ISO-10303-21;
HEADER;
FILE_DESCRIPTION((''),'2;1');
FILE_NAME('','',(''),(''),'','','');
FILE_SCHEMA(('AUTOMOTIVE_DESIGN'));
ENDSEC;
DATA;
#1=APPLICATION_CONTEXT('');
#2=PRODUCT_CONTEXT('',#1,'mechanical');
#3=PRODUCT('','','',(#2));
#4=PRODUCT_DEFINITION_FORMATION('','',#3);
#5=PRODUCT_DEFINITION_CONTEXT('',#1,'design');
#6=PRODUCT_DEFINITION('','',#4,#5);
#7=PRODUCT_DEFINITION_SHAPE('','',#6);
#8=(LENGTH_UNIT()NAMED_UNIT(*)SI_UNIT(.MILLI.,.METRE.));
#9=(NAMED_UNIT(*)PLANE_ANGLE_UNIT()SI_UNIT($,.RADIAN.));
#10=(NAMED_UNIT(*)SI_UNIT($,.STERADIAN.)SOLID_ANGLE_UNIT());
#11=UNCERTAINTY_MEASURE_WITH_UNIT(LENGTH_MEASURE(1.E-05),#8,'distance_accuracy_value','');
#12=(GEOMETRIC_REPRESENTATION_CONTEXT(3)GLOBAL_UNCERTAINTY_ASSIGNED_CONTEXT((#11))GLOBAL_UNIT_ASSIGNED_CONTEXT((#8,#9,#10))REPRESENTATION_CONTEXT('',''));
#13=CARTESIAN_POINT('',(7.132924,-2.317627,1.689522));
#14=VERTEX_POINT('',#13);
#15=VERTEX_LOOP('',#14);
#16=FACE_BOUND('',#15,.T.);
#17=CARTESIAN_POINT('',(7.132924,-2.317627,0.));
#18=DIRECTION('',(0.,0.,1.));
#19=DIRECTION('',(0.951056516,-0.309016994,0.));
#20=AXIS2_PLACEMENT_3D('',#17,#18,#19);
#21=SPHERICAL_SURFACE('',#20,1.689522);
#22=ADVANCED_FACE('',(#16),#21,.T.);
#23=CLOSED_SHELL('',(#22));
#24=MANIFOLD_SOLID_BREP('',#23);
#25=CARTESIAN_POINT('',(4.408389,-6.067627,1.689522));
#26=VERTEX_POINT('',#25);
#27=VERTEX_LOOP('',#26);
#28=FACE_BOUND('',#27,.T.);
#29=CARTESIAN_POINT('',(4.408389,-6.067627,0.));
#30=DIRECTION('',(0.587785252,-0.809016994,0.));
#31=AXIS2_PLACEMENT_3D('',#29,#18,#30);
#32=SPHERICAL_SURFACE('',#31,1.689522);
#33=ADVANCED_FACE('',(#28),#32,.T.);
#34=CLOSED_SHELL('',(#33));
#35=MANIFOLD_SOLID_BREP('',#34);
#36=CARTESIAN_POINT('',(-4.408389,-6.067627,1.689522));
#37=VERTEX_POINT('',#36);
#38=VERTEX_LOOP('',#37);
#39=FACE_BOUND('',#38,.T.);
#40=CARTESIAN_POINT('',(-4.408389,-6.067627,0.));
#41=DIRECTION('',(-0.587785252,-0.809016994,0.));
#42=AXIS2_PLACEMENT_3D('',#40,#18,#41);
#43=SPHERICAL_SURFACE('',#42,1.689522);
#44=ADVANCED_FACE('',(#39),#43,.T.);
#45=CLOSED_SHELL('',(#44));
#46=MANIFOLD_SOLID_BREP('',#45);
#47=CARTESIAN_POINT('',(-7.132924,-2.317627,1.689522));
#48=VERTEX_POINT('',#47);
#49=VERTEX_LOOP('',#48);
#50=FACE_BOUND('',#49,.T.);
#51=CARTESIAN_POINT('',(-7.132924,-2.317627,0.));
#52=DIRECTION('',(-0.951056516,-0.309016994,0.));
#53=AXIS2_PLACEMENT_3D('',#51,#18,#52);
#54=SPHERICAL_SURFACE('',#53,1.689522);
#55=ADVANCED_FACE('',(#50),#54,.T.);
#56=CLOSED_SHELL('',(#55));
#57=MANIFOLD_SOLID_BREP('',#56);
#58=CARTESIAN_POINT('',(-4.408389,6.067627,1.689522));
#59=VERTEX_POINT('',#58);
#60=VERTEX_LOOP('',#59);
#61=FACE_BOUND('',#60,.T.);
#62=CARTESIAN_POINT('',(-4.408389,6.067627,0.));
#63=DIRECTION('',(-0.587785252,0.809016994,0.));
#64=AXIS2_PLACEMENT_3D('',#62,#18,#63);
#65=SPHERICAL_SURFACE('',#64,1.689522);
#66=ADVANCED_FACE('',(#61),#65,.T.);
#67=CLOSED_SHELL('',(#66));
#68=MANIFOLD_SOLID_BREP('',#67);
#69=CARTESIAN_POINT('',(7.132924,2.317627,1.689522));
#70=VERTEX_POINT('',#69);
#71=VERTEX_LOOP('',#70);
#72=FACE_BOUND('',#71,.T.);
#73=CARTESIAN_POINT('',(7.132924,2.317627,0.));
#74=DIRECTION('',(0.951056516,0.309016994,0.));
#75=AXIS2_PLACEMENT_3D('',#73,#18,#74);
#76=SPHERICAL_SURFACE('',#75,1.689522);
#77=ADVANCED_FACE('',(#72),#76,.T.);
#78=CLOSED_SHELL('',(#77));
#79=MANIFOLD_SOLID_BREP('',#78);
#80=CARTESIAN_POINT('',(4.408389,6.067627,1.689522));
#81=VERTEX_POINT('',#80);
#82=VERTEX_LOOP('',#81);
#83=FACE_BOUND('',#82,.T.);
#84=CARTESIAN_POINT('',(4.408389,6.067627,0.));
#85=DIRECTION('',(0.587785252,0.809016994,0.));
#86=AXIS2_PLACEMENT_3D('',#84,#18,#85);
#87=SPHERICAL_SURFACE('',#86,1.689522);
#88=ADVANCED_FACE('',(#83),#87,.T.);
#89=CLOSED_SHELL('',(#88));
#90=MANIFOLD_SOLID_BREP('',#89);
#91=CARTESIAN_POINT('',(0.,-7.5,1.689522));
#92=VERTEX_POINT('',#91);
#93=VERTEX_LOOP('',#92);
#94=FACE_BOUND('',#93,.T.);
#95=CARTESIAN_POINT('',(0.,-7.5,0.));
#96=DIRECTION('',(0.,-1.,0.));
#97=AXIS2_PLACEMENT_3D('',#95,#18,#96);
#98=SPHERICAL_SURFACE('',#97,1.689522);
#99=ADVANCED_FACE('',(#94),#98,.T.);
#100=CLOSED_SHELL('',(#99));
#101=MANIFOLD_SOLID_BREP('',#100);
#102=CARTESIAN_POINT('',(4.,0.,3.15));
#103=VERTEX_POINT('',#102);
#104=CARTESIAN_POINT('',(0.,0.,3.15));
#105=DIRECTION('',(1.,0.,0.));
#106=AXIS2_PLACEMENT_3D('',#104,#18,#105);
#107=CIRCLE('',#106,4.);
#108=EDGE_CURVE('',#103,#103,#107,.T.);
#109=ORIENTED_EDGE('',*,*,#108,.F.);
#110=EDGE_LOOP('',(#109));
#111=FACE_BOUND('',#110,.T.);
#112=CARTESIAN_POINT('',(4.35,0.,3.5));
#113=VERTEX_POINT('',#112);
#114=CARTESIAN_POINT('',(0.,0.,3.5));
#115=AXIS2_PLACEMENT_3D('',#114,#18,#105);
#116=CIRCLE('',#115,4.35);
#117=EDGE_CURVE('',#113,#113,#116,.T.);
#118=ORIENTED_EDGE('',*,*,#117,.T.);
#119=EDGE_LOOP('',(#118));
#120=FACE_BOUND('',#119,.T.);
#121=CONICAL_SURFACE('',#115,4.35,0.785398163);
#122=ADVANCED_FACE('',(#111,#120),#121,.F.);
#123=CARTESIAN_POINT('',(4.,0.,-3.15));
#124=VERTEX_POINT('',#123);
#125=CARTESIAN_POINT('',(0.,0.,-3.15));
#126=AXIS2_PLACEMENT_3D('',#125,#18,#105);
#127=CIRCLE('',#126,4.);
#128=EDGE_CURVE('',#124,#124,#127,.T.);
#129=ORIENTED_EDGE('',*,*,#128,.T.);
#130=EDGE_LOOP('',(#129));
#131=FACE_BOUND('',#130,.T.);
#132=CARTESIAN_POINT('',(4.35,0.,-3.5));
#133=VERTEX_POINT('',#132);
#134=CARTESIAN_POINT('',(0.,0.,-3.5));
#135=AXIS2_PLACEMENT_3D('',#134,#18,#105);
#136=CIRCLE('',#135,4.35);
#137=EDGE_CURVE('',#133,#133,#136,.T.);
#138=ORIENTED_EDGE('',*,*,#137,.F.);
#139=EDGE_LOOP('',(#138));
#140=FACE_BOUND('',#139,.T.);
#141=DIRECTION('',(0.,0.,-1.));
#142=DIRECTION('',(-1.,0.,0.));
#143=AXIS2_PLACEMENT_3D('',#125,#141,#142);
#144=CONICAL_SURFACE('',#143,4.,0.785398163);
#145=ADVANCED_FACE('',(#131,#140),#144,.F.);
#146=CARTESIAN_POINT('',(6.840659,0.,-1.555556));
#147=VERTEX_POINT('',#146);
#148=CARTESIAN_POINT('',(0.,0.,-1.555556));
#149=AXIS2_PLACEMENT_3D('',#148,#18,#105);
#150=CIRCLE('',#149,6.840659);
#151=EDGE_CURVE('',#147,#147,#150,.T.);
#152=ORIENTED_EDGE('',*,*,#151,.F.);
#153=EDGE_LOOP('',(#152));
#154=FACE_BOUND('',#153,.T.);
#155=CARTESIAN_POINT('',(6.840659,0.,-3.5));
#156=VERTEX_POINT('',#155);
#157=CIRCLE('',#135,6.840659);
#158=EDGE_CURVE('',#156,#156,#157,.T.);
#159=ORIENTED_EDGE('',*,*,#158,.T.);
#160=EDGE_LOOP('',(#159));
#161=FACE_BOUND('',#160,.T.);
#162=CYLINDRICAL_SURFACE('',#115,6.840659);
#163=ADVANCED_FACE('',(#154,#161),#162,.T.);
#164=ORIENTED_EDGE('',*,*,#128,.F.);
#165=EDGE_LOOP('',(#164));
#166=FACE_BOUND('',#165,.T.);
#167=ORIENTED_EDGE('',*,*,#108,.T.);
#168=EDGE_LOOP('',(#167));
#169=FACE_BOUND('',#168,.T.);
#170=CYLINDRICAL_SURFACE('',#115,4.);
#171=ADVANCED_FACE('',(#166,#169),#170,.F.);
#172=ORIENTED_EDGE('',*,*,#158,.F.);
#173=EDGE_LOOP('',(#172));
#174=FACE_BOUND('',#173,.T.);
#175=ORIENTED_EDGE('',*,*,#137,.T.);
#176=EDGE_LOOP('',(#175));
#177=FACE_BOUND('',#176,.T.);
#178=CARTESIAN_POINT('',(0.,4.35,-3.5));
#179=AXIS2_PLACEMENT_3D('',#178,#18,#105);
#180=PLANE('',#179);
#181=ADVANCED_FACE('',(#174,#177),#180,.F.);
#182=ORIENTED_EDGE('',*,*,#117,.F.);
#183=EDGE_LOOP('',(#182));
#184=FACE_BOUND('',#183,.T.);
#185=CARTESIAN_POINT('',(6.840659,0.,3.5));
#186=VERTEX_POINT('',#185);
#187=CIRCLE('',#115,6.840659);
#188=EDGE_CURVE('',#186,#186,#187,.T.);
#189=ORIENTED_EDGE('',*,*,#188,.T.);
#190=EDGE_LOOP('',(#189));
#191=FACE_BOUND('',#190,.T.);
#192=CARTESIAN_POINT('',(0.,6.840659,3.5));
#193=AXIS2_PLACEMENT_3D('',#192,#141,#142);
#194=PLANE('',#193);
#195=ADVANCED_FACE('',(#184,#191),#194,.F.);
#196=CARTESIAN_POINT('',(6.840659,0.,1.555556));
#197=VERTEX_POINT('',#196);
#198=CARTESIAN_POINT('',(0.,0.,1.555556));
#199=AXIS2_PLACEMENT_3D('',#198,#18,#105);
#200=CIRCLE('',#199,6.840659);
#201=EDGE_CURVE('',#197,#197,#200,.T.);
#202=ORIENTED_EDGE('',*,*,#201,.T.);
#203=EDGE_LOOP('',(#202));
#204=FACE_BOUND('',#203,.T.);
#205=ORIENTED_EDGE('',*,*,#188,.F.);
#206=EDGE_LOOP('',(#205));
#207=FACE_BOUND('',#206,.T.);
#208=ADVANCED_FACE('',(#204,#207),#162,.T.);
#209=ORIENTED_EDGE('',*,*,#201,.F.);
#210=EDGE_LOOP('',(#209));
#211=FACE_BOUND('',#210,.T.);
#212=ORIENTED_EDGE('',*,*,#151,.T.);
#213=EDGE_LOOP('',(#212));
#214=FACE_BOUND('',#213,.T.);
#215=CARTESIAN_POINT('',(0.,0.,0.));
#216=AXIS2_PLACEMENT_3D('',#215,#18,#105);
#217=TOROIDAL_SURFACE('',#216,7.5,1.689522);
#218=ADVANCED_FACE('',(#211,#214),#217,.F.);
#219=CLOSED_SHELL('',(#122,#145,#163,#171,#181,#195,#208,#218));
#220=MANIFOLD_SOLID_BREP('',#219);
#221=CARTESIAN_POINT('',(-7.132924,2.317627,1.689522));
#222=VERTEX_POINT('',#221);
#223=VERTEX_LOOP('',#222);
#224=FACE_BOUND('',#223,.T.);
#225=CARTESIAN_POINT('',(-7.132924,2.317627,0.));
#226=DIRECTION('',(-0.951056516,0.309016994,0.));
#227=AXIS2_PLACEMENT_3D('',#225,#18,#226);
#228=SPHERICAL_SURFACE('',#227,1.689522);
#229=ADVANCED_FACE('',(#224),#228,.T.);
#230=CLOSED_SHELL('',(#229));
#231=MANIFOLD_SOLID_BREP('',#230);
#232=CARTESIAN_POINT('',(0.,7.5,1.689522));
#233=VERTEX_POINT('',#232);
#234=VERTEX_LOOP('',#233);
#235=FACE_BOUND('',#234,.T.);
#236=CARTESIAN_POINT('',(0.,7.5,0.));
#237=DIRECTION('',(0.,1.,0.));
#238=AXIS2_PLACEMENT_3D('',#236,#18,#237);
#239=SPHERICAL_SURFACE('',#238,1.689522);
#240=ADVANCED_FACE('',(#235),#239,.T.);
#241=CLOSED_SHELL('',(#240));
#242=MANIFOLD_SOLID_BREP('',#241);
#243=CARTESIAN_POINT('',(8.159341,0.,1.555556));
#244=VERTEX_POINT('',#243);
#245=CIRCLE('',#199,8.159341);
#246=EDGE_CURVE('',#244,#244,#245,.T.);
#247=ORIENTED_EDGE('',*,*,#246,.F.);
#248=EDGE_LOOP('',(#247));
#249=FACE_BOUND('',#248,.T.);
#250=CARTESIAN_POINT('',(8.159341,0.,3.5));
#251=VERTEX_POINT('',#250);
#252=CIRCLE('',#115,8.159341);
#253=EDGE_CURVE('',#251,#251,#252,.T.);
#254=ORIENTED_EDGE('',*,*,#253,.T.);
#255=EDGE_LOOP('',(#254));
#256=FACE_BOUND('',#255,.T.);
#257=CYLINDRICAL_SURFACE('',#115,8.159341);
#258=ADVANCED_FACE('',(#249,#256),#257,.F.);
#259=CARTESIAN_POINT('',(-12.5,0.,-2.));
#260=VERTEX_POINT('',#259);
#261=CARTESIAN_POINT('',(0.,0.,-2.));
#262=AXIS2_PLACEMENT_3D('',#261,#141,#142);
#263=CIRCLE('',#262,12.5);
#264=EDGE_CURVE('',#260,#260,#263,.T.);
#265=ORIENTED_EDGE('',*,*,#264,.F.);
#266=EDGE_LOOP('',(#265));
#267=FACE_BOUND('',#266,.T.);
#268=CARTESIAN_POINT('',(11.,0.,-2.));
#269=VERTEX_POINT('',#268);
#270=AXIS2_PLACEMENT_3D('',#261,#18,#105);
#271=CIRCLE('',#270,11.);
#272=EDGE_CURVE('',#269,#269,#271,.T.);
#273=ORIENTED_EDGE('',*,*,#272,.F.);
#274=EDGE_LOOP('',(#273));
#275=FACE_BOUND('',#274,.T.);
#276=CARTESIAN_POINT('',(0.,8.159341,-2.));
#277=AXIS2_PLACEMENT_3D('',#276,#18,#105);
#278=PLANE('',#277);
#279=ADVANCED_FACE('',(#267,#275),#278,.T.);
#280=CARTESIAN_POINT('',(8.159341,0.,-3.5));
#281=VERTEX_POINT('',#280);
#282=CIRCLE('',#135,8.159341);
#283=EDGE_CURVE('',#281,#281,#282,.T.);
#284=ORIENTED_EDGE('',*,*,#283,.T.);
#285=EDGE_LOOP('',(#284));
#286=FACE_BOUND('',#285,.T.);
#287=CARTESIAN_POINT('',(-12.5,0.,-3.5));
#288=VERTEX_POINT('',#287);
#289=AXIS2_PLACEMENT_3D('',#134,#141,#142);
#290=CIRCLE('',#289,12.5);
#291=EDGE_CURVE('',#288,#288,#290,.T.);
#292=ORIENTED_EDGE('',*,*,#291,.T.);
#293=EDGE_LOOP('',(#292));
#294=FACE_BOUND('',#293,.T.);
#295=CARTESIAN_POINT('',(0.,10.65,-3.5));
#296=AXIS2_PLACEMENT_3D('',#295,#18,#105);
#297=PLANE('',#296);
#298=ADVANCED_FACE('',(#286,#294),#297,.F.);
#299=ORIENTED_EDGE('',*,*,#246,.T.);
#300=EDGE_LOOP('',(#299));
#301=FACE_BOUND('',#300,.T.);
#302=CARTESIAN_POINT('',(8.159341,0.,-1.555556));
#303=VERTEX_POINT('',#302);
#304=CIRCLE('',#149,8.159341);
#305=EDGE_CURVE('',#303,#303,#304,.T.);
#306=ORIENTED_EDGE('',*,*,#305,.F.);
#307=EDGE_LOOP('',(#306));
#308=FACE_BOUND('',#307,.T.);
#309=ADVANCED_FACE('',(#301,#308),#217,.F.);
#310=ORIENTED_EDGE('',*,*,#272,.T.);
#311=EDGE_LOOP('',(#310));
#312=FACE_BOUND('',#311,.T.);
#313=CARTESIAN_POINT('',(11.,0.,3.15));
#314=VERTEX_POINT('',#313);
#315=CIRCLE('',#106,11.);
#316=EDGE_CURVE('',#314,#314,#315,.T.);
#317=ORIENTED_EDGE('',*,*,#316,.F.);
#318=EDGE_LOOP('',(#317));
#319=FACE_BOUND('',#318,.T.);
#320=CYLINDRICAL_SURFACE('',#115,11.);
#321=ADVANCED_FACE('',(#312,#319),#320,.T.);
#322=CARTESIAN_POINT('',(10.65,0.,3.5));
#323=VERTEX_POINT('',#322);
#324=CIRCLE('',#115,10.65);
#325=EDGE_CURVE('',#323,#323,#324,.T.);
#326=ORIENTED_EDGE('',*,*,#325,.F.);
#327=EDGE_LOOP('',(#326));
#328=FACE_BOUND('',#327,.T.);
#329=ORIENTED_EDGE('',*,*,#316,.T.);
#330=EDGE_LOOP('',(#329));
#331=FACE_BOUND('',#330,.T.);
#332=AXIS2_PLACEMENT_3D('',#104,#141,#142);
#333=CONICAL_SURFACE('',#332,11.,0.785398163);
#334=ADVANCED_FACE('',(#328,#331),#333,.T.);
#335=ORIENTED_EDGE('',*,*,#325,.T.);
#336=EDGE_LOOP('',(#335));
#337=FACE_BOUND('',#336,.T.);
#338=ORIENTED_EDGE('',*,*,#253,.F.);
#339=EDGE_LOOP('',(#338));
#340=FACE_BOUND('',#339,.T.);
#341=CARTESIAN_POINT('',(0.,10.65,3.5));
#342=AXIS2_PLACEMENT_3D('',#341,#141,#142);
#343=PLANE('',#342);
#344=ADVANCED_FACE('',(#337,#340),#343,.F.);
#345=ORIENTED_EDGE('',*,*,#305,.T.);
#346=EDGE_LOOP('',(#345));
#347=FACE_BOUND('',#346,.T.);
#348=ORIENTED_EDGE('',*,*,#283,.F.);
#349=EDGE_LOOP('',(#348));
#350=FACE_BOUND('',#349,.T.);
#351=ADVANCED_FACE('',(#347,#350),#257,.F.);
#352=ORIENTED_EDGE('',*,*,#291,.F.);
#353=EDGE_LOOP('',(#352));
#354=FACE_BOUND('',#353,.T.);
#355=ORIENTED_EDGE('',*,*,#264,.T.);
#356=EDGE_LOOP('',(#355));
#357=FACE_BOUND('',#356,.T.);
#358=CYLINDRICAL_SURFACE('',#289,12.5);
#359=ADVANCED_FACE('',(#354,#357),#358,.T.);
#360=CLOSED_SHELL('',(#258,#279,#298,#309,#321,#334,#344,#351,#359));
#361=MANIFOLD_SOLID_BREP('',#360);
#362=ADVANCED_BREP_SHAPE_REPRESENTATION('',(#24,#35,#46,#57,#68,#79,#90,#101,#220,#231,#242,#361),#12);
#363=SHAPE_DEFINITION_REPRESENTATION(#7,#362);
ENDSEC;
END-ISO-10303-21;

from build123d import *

# Parameters (mm, degrees)
CIRPATTERN1_COUNT = 10
SKETCH6_W         = 1.5
SKETCH6_H         = 4.340659341


with BuildPart() as part:
    # Sketch1 → Revolve1 (revolve)
    with BuildSketch(Plane(origin=(0, 0, 0), x_dir=(0, 0, -1), z_dir=(1, 0, 0))):
        with BuildLine():
            Line((3.15, 11), (-3.15, 11))
            Line((-3.15, 11), (-3.5, 10.65))
            Line((-3.5, 10.65), (-3.5, 8.159340659))
            Line((-3.5, 8.159340659), (-1.555555556, 8.159340659))
            ThreePointArc((-1.555555556, 8.159340659), (0, 9.189521587), (1.555555556, 8.159340659))
            Line((1.555555556, 8.159340659), (3.5, 8.159340659))
            Line((3.5, 8.159340659), (3.5, 10.65))
            Line((3.5, 10.65), (3.15, 11))
        make_face()
    revolve(axis=Axis((0, 0, 3.5), (0, 0, -1)))

    # Sketch6 → Revolve6 (revolve)
    with BuildSketch(Plane(origin=(0, 0, 0), x_dir=(0, 0, -1), z_dir=(1, 0, 0))):
        with Locations((2.75, 10.32967033)):
            Rectangle(SKETCH6_W, SKETCH6_H)
    revolve(axis=Axis((0, 0, -3.5), (0, 0, 1)))


with BuildPart() as body_2:
    # Sketch3 → Revolve3 (revolve)
    with BuildSketch(Plane(origin=(0, 0, 0), x_dir=(0, 0, -1), z_dir=(1, 0, 0))):
        with BuildLine():
            Line((-3.5, 6.840659341), (-1.555555556, 6.840659341))
            ThreePointArc((-1.555555556, 6.840659341), (0, 5.810478413), (1.555555556, 6.840659341))
            Line((1.555555556, 6.840659341), (3.5, 6.840659341))
            Line((3.5, 6.840659341), (3.5, 4.35))
            Line((3.5, 4.35), (3.15, 4))
            Line((3.15, 4), (-3.15, 4))
            Line((-3.15, 4), (-3.5, 4.35))
            Line((-3.5, 4.35), (-3.5, 6.840659341))
        make_face()
    revolve(axis=Axis((0, 0, 3.5), (0, 0, -1)))


with BuildPart() as body_3:
    # Sketch4 → Revolve4 (revolve)
    with BuildSketch(Plane(origin=(0, 0, 0), x_dir=(0, 0, -1), z_dir=(1, 0, 0))):
        with BuildLine():
            Line((-1.689521587, 7.5), (1.689521587, 7.5))
            ThreePointArc((1.689521587, 7.5), (0, 9.189521587), (-1.689521587, 7.5))
        make_face()
    revolve(axis=Axis((0, 7.5, 1.689521587), (0, 0, -1)))


with BuildPart() as cirpattern1_1:
    # CirPattern1: pattern copy
    add(body_3.part.rotate(Axis((0, 0, -3.5), (0, 0, 1)), 1 * 360 / CIRPATTERN1_COUNT))


with BuildPart() as cirpattern1_2:
    # CirPattern1: pattern copy
    add(body_3.part.rotate(Axis((0, 0, -3.5), (0, 0, 1)), 2 * 360 / CIRPATTERN1_COUNT))


with BuildPart() as cirpattern1_3:
    # CirPattern1: pattern copy
    add(body_3.part.rotate(Axis((0, 0, -3.5), (0, 0, 1)), 3 * 360 / CIRPATTERN1_COUNT))


with BuildPart() as cirpattern1_4:
    # CirPattern1: pattern copy
    add(body_3.part.rotate(Axis((0, 0, -3.5), (0, 0, 1)), 4 * 360 / CIRPATTERN1_COUNT))


with BuildPart() as cirpattern1_5:
    # CirPattern1: pattern copy
    add(body_3.part.rotate(Axis((0, 0, -3.5), (0, 0, 1)), 5 * 360 / CIRPATTERN1_COUNT))


with BuildPart() as cirpattern1_6:
    # CirPattern1: pattern copy
    add(body_3.part.rotate(Axis((0, 0, -3.5), (0, 0, 1)), 6 * 360 / CIRPATTERN1_COUNT))


with BuildPart() as cirpattern1_7:
    # CirPattern1: pattern copy
    add(body_3.part.rotate(Axis((0, 0, -3.5), (0, 0, 1)), 7 * 360 / CIRPATTERN1_COUNT))


with BuildPart() as cirpattern1_8:
    # CirPattern1: pattern copy
    add(body_3.part.rotate(Axis((0, 0, -3.5), (0, 0, 1)), 8 * 360 / CIRPATTERN1_COUNT))


with BuildPart() as cirpattern1_9:
    # CirPattern1: pattern copy
    add(body_3.part.rotate(Axis((0, 0, -3.5), (0, 0, 1)), 9 * 360 / CIRPATTERN1_COUNT))


solid = Compound([part.part, body_2.part, body_3.part, cirpattern1_1.part, cirpattern1_2.part, cirpattern1_3.part, cirpattern1_4.part, cirpattern1_5.part, cirpattern1_6.part, cirpattern1_7.part, cirpattern1_8.part, cirpattern1_9.part])
